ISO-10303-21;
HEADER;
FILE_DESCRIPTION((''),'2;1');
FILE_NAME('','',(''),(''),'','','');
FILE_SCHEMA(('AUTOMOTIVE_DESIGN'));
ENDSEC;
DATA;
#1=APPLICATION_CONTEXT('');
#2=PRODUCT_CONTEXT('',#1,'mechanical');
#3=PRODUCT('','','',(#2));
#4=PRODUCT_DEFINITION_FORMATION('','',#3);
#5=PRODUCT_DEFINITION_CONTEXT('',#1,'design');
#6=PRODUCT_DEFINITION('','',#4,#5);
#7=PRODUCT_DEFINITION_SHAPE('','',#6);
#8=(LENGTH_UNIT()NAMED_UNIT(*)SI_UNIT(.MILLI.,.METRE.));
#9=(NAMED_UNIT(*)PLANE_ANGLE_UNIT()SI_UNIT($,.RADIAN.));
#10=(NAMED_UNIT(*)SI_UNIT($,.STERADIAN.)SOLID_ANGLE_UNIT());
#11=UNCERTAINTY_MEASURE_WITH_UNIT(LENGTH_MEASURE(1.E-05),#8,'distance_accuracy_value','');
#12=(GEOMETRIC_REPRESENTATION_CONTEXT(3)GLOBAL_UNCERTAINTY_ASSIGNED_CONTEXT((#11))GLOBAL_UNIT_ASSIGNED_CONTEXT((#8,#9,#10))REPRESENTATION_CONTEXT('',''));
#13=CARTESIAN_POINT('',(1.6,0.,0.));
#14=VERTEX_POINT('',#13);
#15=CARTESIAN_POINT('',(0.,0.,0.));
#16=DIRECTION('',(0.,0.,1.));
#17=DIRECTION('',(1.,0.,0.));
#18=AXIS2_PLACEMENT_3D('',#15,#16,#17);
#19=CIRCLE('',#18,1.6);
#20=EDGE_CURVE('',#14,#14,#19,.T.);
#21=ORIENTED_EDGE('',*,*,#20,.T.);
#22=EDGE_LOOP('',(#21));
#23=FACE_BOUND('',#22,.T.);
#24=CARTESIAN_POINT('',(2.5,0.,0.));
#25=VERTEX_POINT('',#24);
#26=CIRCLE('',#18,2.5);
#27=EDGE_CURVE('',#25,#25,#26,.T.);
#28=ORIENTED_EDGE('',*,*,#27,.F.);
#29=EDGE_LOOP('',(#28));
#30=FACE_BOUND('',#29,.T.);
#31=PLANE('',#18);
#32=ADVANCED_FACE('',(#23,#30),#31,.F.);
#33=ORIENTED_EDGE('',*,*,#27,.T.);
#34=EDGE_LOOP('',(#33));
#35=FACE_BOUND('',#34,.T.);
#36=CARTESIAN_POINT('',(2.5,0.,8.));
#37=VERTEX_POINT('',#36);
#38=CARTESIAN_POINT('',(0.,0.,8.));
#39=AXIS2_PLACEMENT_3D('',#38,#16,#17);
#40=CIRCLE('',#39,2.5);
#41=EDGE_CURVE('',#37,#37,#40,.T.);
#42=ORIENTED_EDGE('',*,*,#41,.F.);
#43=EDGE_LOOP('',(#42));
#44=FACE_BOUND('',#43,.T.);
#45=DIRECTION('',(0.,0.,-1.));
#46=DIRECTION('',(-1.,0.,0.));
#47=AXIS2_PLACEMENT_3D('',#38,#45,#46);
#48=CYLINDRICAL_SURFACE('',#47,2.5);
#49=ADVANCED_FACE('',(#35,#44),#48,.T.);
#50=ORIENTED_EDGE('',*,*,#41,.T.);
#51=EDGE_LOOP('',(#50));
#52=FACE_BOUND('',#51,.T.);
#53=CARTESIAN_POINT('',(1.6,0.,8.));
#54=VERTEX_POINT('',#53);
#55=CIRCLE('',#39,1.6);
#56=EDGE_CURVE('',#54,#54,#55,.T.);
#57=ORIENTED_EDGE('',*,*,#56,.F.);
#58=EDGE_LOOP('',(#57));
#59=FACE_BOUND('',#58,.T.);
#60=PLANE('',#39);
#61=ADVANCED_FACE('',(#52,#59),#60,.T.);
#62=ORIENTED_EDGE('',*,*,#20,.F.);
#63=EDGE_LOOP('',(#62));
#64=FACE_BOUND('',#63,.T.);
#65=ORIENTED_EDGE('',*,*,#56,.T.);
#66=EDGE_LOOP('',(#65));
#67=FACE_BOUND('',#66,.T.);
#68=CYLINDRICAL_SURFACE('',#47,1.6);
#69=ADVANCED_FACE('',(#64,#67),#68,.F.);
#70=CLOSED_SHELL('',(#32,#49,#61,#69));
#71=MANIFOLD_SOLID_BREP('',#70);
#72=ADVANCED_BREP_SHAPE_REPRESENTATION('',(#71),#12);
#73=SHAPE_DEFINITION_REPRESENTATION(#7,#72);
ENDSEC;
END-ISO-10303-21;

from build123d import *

# Parameters (mm, degrees)
SKETCH_1_R      = 2.5
SKETCH_1_R_2    = 1.6
EXTRUDE_1_DEPTH = 8


with BuildPart() as part:
    # 草图1 → 凸台-拉伸1 (new body)
    with BuildSketch(Plane.XY):
        Circle(SKETCH_1_R)
        Circle(SKETCH_1_R_2, mode=Mode.SUBTRACT)
    extrude(amount=EXTRUDE_1_DEPTH)


solid = part.part
